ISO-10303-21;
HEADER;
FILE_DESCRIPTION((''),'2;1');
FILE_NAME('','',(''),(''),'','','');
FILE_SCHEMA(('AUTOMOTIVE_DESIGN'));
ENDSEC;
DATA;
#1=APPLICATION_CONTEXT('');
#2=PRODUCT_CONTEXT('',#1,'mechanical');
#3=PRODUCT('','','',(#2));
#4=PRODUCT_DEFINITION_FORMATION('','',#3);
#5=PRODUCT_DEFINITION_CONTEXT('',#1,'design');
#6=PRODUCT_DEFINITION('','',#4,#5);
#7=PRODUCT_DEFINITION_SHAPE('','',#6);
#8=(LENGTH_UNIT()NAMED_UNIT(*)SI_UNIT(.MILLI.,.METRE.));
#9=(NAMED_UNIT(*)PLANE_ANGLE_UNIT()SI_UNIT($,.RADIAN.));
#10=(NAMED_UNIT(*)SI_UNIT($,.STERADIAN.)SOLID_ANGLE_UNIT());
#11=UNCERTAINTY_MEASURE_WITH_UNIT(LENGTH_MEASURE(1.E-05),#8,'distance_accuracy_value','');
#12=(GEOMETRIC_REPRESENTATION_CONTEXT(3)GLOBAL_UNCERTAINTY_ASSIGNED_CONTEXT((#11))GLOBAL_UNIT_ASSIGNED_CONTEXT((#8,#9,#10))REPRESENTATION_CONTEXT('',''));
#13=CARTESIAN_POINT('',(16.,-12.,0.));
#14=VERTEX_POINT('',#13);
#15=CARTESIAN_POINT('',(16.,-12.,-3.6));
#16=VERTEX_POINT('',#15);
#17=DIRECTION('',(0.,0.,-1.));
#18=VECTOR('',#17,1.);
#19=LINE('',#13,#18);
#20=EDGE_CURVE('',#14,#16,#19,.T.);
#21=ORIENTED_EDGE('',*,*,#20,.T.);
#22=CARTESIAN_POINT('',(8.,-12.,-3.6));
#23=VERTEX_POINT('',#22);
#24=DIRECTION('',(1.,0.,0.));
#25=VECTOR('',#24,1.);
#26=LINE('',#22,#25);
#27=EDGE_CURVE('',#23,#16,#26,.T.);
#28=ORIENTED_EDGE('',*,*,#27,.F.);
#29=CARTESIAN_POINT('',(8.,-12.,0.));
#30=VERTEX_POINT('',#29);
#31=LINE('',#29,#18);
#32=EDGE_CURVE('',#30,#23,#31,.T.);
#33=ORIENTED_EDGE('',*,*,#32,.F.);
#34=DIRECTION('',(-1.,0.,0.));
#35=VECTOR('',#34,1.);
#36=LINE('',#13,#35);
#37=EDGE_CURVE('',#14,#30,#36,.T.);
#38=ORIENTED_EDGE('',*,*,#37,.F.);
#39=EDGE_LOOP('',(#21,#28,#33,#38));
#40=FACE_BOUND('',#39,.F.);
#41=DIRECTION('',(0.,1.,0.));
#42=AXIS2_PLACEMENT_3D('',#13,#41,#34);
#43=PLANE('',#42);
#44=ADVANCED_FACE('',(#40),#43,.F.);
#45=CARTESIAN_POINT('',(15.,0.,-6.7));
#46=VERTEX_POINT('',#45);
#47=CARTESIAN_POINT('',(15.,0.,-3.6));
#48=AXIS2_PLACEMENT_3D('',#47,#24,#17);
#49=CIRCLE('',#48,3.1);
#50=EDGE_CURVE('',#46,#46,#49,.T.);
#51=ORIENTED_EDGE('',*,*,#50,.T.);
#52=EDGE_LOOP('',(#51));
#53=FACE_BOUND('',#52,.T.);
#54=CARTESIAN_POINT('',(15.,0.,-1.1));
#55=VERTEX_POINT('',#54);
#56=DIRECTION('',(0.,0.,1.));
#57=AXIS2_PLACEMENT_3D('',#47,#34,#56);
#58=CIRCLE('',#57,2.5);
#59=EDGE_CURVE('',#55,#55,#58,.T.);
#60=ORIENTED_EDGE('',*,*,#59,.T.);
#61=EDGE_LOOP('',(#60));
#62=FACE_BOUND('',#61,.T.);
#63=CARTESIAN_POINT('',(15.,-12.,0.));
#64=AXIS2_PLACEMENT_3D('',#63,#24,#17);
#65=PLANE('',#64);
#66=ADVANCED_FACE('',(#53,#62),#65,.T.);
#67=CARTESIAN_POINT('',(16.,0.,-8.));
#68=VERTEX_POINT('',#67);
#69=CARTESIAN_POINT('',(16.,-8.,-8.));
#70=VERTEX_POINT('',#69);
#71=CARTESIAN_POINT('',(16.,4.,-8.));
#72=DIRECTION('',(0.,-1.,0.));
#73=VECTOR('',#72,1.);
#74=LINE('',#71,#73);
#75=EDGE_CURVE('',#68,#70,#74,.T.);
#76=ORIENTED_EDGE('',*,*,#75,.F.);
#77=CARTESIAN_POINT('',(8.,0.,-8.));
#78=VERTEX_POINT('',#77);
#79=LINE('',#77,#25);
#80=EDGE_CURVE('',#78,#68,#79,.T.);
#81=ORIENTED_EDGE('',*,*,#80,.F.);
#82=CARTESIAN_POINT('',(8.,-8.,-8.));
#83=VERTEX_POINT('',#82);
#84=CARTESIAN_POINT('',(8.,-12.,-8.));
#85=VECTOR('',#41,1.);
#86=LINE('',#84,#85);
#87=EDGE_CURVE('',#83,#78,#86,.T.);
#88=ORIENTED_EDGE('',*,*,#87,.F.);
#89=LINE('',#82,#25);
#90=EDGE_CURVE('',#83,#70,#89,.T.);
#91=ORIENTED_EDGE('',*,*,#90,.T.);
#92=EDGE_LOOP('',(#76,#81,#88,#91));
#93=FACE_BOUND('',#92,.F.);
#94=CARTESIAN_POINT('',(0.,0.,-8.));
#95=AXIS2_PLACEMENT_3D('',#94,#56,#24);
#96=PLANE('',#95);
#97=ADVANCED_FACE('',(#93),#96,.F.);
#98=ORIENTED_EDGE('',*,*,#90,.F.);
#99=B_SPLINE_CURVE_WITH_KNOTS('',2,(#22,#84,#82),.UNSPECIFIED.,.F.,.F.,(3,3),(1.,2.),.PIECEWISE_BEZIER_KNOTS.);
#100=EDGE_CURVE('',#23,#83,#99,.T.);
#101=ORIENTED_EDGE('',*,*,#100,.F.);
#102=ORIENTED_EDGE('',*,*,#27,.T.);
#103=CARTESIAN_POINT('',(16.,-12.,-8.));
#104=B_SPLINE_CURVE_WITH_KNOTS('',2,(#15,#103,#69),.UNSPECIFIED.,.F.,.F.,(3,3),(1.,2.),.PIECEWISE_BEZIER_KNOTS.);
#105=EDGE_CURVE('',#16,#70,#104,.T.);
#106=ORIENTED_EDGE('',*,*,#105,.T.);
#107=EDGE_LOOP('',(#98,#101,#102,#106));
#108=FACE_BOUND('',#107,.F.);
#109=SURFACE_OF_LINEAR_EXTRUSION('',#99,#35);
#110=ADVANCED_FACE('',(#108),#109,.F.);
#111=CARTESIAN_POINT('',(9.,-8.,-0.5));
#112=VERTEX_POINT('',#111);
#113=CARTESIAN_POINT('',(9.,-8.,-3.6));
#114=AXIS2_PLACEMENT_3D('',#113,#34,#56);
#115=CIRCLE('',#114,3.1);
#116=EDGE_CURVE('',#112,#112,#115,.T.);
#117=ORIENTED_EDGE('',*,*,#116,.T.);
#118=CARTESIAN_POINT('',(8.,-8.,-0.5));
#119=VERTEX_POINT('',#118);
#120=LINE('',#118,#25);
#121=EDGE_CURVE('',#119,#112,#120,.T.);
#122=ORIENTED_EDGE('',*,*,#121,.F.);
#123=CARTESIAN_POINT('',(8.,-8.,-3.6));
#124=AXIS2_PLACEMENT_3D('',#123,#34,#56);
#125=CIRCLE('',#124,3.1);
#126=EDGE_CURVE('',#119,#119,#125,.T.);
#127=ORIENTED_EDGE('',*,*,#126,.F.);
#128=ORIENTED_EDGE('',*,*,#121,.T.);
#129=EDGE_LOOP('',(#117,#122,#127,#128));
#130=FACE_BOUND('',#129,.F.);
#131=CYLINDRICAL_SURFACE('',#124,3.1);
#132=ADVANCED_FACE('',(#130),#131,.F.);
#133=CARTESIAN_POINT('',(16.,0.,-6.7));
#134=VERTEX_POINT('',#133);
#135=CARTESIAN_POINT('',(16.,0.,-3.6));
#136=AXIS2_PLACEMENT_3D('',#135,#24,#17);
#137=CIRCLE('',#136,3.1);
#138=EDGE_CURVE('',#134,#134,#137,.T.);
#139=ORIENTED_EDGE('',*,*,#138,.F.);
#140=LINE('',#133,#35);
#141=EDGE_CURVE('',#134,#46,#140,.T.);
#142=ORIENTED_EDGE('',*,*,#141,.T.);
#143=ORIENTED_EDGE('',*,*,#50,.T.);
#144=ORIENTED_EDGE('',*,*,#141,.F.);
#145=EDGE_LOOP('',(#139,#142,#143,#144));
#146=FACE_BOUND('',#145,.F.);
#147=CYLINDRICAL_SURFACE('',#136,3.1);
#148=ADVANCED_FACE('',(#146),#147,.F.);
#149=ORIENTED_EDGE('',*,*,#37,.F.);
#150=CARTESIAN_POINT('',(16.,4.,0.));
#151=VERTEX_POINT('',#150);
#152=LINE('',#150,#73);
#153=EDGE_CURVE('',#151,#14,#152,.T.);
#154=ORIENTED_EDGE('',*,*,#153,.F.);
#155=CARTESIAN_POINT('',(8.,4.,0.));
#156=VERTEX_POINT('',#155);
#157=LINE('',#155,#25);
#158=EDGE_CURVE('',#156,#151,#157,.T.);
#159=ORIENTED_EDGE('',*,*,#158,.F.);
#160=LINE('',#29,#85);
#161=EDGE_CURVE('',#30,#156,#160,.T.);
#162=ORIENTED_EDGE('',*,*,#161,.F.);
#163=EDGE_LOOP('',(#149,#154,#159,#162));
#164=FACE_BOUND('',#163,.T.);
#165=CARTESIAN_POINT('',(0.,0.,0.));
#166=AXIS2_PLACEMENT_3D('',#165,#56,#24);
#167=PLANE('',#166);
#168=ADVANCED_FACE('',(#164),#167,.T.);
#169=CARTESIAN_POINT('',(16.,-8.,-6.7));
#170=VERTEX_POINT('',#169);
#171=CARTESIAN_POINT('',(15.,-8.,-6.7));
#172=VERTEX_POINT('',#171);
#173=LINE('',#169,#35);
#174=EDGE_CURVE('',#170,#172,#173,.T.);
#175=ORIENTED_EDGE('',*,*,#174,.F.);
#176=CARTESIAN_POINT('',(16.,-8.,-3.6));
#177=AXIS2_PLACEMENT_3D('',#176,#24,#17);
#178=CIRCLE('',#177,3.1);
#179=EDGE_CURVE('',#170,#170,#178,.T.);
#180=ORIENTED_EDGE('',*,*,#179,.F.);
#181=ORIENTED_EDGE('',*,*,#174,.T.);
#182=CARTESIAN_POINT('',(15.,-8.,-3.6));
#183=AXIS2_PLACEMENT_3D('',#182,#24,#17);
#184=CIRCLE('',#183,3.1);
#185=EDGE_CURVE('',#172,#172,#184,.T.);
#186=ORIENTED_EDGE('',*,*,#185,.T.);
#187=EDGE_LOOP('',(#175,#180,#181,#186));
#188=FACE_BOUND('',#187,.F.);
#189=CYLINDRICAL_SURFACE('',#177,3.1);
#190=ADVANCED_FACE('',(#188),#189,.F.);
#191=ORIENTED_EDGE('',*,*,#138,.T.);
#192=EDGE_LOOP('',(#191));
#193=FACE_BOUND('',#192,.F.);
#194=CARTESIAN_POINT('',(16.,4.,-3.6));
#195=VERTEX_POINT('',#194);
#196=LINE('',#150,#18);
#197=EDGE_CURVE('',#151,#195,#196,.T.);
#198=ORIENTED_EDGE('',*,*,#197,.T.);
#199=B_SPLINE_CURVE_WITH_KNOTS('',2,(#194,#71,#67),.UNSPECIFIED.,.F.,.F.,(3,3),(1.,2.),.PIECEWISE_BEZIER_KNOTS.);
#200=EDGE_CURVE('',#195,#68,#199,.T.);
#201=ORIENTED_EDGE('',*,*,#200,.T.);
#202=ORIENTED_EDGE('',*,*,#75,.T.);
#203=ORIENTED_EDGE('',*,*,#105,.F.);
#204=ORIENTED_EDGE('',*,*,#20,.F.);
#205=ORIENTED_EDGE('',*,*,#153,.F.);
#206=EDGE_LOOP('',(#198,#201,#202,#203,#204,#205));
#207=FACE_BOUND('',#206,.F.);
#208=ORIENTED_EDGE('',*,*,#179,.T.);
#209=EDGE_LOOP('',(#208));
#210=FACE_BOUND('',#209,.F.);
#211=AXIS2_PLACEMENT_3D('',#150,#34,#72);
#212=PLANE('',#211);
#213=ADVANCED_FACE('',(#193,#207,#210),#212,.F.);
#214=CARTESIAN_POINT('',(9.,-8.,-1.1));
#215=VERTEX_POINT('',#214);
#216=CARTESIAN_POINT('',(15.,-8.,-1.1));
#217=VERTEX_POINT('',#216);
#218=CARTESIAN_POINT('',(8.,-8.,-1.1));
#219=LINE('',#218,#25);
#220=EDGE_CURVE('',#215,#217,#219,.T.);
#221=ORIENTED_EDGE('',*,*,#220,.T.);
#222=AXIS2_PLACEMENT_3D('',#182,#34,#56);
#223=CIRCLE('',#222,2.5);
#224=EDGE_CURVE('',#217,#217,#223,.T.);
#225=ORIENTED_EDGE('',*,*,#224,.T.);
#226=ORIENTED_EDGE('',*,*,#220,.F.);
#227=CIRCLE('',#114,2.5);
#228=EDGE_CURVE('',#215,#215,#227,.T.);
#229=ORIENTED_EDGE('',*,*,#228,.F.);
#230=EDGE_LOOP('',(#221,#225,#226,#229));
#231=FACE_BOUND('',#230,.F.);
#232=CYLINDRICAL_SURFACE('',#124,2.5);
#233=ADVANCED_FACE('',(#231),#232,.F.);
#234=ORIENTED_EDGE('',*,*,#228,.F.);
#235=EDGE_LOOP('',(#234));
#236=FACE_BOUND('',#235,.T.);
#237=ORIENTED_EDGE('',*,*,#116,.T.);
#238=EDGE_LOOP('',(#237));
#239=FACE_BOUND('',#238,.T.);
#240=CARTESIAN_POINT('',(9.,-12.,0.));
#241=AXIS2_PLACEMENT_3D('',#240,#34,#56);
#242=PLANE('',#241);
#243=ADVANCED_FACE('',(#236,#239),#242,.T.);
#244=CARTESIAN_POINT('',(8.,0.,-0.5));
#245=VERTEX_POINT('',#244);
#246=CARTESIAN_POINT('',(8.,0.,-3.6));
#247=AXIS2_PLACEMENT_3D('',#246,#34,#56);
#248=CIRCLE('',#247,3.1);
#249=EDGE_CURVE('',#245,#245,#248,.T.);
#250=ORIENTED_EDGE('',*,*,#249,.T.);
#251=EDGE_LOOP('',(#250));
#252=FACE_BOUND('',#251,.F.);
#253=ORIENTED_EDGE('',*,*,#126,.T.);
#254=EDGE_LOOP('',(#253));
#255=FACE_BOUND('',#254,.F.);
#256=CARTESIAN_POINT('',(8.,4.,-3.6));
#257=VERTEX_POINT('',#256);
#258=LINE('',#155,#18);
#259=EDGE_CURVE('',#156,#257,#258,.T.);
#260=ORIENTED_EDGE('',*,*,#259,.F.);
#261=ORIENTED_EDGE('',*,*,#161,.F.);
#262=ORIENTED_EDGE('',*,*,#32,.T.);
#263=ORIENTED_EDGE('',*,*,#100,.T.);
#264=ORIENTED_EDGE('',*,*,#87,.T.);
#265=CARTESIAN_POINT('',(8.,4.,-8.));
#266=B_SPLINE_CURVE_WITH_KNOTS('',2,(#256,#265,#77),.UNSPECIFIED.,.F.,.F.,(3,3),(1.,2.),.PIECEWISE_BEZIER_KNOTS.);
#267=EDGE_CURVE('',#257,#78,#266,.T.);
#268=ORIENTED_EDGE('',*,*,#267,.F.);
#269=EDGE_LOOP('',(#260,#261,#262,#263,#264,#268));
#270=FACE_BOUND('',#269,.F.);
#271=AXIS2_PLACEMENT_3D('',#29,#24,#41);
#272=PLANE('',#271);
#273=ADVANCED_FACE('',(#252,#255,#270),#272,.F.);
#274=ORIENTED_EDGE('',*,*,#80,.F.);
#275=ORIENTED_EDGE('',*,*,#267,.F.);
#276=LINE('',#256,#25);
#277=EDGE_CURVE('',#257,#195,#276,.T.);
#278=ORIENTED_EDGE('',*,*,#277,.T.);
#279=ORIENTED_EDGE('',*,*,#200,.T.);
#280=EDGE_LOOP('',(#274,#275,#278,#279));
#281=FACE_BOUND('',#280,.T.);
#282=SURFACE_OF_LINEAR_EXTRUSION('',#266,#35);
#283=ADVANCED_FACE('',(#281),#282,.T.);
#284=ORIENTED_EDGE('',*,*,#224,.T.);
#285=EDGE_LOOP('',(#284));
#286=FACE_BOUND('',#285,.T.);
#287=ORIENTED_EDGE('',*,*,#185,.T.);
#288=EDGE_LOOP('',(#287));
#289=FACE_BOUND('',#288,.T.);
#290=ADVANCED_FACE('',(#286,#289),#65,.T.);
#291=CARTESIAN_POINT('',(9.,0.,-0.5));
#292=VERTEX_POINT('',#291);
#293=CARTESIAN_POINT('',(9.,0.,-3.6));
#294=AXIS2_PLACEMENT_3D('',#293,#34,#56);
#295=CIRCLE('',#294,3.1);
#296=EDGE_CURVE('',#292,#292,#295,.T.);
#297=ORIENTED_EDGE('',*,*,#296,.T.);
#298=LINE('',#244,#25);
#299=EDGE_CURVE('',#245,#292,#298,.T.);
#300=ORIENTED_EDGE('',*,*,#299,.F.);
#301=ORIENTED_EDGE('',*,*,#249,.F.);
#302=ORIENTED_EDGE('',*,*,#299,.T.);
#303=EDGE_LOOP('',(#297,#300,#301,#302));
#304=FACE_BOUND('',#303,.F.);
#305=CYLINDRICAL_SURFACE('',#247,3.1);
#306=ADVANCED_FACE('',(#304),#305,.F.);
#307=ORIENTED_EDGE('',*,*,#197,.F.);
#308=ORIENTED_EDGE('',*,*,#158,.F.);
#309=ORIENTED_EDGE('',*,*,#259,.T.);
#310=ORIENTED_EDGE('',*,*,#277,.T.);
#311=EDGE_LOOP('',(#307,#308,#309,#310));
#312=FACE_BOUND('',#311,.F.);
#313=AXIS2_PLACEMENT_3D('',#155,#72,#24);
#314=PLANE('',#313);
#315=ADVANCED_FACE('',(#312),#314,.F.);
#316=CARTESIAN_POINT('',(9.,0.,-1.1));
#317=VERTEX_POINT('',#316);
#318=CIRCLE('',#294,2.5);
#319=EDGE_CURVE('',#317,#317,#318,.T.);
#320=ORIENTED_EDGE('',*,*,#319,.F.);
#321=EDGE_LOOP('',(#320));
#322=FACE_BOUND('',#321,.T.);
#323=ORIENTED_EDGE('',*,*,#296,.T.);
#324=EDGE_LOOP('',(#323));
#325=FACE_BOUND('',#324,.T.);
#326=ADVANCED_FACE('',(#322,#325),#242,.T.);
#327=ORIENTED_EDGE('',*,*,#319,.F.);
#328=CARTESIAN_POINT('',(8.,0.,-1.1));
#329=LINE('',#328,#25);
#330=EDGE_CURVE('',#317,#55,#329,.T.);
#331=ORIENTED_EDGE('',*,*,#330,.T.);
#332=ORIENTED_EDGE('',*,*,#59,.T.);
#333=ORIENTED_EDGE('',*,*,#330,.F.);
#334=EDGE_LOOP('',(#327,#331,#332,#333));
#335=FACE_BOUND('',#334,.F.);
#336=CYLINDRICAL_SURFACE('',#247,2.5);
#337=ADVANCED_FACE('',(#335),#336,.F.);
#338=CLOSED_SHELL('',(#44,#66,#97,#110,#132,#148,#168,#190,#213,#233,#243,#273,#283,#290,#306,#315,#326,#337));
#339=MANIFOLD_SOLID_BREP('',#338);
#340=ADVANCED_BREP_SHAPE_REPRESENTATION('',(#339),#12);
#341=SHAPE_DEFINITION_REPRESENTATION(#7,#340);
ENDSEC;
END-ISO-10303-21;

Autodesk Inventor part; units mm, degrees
ref_plane "YZ Plane" through (0, 0, 0) normal (1, 0, 0) x (0, 1, 0)
ref_plane "XZ Plane" through (0, 0, 0) normal (0, 1, 0) x (-1, 0, 0)
ref_plane "XY Plane" through (0, 0, 0) normal (0, 0, 1) x (1, 0, 0)
sketch "Esboço1" plane through (0, 0, 0) normal (0, 0, 1) x (1, 0, 0)
  line L0 (16, -12) -> (8, -12)
  line L1 (8, -12) -> (8, 4)
  line L2 (8, 4) -> (16, 4)
  line L3 (16, 4) -> (16, -12)
  point P0 (0, 0)
  dimension "d0" = 8
  dimension "d1" = 16
extrude "Extrusão1" add sketch "Esboço1" against normal blind 8
sketch "Esboço3" plane through (8, -12, 0) normal (-1, 0, 0) x (0, 0, 1)
  circle A0 centre (-3.6, 4) radius 2.4 projected
  circle A1 centre (-3.6, 12) radius 2.4 projected
  line L0 (0, 0) -> (-8, 0) projected
  line L1 (-3.6, 0) -> (-8, 0) construction
  line L2 (-8, 16) -> (-8, 0) projected
  line L3 (-8, 0) -> (-8, 4) construction
  spline S0 degree 2 poles (-3.6, 0) (-8, 0) (-8, 4) knots 1 1 1 2 2 2
  line L4 (0, 16) -> (-8, 16) projected
  line L5 (-3.6, 16) -> (-8, 16) construction
  line L6 (-8, 16) -> (-8, 12) construction
  spline S1 degree 2 poles (-3.6, 16) (-8, 16) (-8, 12) knots 1 1 1 2 2 2
  circle A2 centre (-3.6, 12) radius 2.5
  circle A3 centre (-3.6, 4) radius 2.5
  point P0 (0, 12)
  dimension "d14" = 5
  dimension "d15" = 5
extrude "Extrusão3" cut sketch "Esboço3" against normal blind 8 contours A0 | A1 | L2 L4 S1 | L0 L2 S0 | A2 | A3
sketch "Esboço4" plane through (8, -12, 0) normal (-1, 0, 0) x (0, 0, 1)
  circle A0 centre (-3.6, 12) radius 3.1 projected
  circle A1 centre (-3.6, 4) radius 3.1 projected
  point P0 (0, 12)
extrude "Extrusão4" cut sketch "Esboço4" against normal blind 1
sketch "Esboço5" plane through (16, -12, 0) normal (1, 0, 0) x (0, 0, -1)
  circle A0 centre (3.6, 12) radius 3.1 projected
  circle A1 centre (3.6, 4) radius 3.1 projected
  point P0 (0, 12)
extrude "Extrusão5" cut sketch "Esboço5" against normal blind 1
properties part number "_3DPrint"
